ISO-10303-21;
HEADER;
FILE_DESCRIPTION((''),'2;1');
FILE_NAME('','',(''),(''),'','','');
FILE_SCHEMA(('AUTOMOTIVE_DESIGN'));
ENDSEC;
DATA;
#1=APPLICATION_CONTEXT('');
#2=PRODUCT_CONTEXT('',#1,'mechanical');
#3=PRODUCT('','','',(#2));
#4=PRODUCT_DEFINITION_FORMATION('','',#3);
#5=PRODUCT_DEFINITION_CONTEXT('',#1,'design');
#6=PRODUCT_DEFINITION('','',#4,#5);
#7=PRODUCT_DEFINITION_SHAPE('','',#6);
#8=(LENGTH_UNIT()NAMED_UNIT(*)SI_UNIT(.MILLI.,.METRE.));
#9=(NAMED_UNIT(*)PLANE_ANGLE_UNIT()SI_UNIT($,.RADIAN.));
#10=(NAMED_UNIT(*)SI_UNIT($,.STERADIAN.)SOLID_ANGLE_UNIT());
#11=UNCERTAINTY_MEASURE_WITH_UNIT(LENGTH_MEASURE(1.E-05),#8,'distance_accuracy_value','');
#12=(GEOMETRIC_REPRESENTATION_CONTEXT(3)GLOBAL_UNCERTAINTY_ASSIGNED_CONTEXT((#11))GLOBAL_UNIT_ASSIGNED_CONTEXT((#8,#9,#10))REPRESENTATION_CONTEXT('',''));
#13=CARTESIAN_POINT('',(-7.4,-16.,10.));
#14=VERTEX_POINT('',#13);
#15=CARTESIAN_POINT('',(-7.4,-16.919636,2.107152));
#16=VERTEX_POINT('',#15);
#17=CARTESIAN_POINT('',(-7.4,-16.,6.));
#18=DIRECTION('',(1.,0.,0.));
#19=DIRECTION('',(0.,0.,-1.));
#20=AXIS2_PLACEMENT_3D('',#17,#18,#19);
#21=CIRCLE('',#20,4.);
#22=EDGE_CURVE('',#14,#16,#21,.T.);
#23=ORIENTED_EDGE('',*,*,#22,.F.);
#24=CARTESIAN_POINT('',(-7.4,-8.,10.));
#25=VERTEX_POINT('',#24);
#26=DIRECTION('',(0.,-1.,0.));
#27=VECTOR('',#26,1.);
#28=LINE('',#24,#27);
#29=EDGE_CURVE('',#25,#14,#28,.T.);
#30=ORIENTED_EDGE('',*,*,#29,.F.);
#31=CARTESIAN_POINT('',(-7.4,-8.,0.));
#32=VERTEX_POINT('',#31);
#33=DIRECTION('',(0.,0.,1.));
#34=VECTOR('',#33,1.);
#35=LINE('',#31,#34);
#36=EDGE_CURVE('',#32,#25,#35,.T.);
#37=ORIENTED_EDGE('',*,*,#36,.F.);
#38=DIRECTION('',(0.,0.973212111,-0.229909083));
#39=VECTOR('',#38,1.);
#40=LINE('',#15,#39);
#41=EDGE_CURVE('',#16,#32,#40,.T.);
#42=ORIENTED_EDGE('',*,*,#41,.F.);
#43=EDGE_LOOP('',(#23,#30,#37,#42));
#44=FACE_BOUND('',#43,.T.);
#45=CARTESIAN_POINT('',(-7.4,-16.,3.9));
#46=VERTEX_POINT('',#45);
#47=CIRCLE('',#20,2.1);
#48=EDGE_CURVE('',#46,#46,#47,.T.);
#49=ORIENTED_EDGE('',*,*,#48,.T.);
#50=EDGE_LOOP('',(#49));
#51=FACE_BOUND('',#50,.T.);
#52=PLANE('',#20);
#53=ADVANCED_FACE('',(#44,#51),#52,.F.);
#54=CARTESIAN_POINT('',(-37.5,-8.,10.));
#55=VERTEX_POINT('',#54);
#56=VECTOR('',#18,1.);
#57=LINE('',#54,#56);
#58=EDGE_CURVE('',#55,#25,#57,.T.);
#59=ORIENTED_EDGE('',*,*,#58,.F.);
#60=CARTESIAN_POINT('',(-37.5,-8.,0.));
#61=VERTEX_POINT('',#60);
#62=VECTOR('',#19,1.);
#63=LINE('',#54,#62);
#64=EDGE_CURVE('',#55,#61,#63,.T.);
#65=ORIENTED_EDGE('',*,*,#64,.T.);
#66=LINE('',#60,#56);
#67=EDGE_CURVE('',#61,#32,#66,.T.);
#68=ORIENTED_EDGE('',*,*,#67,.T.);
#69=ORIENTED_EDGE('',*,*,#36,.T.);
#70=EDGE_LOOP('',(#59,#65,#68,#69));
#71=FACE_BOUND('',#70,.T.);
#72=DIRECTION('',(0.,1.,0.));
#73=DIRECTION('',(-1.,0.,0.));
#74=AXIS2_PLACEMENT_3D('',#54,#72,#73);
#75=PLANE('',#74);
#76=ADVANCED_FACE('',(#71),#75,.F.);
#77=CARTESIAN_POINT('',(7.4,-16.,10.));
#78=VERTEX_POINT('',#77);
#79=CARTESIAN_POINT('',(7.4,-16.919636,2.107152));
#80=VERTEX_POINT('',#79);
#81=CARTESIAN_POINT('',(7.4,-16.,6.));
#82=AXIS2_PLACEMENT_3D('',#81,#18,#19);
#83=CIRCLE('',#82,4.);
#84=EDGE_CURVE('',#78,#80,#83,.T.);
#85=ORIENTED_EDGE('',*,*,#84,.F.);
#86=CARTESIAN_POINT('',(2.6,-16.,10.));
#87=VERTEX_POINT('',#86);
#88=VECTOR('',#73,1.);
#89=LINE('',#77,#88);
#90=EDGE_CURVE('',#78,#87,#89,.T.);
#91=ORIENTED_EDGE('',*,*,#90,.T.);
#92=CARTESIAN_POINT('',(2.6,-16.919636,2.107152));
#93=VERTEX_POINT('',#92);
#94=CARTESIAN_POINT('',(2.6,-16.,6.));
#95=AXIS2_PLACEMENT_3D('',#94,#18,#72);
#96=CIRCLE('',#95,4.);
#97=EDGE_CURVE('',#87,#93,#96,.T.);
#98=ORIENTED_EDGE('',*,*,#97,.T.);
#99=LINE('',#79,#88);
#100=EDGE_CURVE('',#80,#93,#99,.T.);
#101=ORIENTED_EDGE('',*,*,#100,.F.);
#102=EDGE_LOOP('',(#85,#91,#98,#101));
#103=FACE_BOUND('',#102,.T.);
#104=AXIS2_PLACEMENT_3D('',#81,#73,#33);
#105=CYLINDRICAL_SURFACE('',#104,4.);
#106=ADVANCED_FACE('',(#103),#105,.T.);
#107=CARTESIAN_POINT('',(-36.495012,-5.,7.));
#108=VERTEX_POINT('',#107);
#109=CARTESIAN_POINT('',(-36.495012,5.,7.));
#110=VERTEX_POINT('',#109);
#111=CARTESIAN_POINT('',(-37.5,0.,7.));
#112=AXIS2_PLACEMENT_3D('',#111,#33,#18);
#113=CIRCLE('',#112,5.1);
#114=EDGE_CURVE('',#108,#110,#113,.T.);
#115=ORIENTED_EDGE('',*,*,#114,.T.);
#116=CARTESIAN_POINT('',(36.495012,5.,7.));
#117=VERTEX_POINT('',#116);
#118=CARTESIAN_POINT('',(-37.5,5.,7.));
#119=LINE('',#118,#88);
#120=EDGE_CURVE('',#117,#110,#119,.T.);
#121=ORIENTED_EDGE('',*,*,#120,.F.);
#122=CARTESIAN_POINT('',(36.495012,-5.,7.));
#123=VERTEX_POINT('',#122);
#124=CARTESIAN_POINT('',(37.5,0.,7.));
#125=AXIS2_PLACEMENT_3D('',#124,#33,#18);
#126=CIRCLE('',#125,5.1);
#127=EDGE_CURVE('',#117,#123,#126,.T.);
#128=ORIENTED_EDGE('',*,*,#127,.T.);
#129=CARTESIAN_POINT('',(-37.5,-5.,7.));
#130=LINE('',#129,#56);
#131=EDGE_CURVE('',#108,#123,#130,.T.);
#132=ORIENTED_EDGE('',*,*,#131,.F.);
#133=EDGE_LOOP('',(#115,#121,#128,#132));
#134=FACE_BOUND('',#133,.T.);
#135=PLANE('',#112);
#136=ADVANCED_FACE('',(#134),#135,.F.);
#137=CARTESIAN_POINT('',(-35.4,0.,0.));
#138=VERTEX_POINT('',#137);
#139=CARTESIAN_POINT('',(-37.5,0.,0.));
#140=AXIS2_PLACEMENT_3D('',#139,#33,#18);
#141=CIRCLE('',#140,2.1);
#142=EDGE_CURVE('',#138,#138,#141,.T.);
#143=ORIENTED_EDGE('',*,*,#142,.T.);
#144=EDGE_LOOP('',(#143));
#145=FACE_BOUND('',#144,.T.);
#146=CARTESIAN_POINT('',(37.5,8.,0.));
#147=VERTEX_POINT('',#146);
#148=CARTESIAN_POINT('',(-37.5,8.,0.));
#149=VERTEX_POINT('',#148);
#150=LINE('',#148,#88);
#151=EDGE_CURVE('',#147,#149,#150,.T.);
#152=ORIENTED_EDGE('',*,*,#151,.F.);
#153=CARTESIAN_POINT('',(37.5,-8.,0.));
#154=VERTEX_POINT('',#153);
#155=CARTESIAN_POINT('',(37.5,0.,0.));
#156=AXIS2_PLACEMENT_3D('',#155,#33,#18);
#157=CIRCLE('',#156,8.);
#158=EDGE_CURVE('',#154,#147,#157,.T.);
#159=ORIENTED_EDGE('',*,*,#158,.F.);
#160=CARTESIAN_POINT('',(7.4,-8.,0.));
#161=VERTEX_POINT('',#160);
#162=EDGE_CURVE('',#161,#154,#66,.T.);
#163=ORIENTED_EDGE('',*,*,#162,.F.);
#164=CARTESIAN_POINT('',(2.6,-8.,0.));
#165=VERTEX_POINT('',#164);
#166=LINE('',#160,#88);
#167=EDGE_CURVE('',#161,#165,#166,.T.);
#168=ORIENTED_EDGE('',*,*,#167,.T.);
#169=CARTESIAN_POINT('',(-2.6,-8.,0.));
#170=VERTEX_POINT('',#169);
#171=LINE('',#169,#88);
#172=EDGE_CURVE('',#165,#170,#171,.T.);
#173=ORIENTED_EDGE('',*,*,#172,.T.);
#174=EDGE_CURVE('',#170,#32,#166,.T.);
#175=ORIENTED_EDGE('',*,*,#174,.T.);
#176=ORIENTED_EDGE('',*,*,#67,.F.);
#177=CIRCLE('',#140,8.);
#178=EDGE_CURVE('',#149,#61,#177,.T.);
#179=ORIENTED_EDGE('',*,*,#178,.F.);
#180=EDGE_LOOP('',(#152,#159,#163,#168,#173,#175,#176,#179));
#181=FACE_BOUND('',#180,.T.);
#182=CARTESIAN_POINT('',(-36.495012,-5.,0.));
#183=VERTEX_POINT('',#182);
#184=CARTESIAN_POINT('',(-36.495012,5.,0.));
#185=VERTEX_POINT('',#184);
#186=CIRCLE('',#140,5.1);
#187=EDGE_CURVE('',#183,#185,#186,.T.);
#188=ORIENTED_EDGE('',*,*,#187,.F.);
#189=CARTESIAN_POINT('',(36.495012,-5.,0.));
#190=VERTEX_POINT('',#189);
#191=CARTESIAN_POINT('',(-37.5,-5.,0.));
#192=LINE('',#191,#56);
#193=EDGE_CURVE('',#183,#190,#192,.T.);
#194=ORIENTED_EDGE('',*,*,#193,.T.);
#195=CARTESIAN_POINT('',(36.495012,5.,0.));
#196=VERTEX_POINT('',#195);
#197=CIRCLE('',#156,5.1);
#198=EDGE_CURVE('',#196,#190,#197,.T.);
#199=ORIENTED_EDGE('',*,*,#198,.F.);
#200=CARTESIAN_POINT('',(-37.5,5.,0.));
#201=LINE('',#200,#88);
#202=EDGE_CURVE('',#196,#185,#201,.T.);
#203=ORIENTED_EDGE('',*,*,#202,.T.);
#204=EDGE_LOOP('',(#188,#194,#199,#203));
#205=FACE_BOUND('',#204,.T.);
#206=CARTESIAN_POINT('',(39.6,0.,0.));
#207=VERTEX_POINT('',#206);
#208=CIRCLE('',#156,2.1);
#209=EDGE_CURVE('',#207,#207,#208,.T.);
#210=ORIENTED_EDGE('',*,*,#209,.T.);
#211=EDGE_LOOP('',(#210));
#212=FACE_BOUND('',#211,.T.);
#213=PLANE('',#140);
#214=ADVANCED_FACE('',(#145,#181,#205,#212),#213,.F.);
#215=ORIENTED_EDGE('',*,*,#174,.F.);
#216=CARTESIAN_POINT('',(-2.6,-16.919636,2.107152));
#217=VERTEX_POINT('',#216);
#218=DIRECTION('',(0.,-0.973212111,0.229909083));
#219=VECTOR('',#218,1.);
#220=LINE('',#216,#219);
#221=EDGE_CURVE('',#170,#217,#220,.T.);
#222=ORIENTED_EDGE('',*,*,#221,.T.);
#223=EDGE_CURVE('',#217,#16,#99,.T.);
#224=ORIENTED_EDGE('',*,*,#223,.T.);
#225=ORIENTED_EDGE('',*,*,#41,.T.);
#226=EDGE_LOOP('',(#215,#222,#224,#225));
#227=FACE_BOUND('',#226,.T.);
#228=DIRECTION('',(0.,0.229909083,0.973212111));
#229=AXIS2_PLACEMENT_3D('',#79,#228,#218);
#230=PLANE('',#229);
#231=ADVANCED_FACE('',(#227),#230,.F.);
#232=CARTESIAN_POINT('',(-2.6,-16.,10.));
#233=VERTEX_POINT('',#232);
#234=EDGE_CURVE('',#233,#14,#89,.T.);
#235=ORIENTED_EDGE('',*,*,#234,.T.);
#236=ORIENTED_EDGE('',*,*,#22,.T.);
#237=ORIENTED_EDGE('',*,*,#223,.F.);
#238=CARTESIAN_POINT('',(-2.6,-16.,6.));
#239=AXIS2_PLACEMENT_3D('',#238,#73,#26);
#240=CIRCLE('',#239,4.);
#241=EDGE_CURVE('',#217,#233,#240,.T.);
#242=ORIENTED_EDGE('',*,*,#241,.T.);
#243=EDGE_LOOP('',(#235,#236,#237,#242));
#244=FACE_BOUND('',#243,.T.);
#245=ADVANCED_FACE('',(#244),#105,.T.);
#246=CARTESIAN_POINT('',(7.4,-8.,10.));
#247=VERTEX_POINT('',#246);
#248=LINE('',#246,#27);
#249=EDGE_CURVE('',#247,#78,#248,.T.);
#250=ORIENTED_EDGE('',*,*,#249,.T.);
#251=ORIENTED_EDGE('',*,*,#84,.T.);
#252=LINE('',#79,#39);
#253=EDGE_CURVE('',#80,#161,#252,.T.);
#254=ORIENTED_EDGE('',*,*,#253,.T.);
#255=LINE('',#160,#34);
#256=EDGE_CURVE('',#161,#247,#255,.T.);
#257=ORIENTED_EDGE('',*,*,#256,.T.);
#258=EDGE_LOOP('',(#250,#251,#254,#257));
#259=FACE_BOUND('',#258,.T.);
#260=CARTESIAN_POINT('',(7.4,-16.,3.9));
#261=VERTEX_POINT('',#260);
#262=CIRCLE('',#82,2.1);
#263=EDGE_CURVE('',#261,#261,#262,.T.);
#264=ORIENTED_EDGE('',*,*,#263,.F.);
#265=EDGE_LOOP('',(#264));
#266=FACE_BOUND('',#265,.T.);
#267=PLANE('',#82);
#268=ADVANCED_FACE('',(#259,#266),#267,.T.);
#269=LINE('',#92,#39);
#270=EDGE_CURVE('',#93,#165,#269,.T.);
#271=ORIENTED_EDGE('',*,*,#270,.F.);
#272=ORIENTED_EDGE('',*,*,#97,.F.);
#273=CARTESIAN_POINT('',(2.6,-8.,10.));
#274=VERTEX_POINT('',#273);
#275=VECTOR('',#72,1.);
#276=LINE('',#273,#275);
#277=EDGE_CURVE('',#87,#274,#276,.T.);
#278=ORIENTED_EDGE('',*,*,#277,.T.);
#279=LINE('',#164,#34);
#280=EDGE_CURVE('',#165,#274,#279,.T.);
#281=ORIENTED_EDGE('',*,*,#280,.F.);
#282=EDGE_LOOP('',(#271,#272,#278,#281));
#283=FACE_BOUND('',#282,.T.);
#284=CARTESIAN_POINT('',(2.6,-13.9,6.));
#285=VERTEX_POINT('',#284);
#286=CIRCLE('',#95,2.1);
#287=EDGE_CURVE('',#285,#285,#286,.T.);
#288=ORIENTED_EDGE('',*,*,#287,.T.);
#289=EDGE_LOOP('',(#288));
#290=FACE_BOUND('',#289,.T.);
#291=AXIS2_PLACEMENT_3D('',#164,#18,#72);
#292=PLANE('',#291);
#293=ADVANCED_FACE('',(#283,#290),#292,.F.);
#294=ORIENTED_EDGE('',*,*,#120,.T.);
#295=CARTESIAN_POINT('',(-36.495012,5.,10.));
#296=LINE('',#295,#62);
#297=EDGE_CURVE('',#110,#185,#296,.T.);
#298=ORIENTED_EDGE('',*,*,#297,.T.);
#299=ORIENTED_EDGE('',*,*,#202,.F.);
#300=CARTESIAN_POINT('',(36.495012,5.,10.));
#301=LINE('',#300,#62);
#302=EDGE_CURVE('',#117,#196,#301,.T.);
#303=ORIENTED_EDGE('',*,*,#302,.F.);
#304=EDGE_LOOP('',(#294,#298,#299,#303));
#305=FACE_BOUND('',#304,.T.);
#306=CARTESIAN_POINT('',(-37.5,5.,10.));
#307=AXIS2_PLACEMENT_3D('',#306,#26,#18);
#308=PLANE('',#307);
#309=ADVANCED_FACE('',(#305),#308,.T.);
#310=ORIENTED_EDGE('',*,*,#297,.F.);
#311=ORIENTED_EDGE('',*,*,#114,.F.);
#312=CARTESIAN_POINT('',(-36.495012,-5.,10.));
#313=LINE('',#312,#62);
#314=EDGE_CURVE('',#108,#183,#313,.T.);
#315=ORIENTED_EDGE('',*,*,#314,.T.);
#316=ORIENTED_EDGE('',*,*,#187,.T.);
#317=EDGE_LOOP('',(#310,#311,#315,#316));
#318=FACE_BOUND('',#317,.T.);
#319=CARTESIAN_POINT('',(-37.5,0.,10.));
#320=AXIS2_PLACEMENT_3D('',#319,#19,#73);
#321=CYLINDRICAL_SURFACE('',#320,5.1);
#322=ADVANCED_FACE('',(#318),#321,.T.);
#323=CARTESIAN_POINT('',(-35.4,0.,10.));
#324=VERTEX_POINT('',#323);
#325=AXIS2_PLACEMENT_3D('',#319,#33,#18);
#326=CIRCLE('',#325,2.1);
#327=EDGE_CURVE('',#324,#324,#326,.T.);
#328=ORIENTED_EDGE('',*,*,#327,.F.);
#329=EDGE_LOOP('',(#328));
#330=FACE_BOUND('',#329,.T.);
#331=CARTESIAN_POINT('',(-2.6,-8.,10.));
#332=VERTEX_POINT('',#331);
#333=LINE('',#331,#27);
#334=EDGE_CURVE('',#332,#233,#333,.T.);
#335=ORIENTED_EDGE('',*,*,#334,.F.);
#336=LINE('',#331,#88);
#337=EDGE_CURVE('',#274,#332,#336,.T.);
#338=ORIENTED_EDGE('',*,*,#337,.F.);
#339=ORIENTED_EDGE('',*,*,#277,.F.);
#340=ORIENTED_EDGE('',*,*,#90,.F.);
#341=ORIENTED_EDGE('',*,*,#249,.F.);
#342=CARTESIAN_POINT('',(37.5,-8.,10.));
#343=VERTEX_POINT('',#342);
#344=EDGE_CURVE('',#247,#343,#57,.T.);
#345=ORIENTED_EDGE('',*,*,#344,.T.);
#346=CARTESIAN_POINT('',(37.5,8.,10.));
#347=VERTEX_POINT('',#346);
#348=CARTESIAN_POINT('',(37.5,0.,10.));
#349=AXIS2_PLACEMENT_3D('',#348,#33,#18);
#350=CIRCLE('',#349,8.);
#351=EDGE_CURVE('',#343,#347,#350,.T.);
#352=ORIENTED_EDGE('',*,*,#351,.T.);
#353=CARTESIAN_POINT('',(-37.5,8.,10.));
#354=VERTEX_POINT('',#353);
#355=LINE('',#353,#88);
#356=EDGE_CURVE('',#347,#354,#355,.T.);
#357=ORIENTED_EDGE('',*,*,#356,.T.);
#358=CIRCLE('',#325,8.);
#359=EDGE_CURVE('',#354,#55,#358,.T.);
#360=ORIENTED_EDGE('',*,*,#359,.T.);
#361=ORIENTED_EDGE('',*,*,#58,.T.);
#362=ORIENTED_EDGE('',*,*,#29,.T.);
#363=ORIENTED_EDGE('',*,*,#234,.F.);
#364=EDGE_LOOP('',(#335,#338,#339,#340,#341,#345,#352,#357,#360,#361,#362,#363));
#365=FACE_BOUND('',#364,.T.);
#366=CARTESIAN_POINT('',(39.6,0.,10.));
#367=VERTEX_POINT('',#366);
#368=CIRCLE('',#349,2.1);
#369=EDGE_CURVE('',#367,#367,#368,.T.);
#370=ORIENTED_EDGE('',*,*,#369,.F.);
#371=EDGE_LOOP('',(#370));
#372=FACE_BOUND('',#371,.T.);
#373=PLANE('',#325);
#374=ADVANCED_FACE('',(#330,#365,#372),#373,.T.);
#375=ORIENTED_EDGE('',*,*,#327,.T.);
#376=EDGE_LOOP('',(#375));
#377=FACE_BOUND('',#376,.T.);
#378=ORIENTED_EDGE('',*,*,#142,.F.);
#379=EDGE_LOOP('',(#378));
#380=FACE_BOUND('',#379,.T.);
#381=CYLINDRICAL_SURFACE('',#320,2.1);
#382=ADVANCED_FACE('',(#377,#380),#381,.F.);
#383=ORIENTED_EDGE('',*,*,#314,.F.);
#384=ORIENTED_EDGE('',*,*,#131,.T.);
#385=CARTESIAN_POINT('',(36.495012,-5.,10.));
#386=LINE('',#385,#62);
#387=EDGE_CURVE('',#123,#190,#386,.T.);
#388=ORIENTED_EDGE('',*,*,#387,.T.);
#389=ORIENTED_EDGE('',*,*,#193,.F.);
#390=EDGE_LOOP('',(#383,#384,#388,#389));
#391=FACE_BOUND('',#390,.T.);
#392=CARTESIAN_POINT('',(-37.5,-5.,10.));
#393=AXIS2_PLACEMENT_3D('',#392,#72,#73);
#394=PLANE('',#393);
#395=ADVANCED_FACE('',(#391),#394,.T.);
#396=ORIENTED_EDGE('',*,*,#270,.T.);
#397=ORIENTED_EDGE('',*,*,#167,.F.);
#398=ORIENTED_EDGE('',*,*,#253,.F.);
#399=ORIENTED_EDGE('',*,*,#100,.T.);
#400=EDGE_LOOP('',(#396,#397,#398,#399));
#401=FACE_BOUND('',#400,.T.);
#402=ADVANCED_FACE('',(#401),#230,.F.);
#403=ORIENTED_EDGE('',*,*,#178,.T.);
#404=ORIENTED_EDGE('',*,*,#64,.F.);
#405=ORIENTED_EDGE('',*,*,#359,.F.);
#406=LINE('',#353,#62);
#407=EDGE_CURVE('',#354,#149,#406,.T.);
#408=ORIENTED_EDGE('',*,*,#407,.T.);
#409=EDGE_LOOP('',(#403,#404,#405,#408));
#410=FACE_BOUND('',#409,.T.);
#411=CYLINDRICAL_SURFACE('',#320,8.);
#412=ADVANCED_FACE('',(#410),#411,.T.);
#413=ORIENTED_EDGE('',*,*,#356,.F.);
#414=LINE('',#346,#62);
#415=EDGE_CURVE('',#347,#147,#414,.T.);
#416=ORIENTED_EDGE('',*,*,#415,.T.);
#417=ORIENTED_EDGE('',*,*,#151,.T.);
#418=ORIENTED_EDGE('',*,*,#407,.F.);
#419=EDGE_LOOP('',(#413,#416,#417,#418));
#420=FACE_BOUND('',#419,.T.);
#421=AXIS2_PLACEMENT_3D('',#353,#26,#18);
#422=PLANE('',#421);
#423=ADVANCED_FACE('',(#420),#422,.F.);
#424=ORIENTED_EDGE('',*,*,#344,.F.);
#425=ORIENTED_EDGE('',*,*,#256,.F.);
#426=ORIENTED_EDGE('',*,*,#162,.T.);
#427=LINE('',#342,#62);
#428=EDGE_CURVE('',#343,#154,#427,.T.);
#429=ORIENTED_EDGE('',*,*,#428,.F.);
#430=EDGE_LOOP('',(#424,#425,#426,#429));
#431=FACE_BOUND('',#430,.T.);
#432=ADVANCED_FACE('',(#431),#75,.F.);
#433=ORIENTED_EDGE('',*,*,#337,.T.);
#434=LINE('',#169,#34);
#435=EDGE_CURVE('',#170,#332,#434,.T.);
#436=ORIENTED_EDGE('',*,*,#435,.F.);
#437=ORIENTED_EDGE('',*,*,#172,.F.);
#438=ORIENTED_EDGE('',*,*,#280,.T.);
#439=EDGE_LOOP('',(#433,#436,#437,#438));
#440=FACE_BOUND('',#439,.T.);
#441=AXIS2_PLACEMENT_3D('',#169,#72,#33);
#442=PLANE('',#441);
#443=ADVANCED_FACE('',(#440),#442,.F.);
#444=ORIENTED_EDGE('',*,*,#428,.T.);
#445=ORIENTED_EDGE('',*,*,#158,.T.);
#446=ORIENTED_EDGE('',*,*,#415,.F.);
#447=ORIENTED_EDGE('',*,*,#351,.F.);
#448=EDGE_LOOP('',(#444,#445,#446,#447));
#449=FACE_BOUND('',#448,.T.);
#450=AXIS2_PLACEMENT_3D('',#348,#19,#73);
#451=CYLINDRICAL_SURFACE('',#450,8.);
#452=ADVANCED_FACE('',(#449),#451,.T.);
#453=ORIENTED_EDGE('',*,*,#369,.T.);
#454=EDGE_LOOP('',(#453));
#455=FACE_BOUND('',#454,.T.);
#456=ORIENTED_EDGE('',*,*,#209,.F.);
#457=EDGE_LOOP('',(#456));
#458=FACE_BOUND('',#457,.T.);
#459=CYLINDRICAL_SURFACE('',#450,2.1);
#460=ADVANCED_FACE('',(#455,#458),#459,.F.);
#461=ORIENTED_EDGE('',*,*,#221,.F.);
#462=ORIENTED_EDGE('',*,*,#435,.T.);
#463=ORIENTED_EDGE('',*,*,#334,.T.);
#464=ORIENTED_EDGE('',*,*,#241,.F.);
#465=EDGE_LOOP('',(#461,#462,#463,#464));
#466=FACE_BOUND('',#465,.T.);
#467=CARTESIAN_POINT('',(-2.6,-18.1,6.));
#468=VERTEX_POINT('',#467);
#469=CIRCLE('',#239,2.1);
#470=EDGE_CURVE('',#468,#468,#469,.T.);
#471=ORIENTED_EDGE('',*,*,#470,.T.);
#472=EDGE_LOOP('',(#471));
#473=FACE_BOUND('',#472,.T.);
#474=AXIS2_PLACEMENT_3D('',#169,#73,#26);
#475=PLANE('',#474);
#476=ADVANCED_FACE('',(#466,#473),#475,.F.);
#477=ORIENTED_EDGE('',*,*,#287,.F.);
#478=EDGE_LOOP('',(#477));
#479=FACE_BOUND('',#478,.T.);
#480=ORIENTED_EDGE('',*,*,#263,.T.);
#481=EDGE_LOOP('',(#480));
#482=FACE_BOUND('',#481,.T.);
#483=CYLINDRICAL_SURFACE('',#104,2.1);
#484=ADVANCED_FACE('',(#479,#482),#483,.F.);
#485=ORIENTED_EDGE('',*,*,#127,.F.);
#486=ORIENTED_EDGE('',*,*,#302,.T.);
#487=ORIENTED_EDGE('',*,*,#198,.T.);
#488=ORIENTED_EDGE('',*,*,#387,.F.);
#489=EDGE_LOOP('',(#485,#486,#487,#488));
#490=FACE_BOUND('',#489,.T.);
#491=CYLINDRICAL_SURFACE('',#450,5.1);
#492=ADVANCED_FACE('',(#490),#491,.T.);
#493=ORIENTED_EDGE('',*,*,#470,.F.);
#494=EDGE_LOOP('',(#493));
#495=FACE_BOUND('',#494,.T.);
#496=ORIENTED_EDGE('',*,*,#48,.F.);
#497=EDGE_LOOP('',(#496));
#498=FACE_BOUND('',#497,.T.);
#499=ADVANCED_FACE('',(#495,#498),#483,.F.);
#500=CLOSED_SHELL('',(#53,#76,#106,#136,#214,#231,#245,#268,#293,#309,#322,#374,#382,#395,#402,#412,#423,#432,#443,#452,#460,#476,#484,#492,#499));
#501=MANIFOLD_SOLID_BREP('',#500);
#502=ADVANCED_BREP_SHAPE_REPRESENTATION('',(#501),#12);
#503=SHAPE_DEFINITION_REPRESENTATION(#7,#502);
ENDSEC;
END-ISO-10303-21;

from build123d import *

# Parameters (mm, degrees)
SKETCH1_R               = 2.1
BOSS_EXTRUDE1_DEPTH     = 10
SHELL2_T                = -3
SKETCH2_R               = 2.1
BOSS_EXTRUDE2_DEPTH     = 7.4
SKETCH3_W               = 5.2
SKETCH3_H               = 14
CUT_EXTRUDE1_DEPTH      = 1
CUT_EXTRUDE1_DEPTH_BACK = 11


with BuildPart() as part:
    # Sketch1 → Boss-Extrude1 (new body)
    with BuildSketch(Plane.XY):
        with BuildLine():
            Line((-37.5, 8), (37.5, 8))
            ThreePointArc((37.5, 8), (45.5, 0), (37.5, -8))
            Line((37.5, -8), (-37.5, -8))
            ThreePointArc((-37.5, -8), (-45.5, 0), (-37.5, 8))
        make_face()
        with Locations((-37.5, 0)):
            Circle(SKETCH1_R, mode=Mode.SUBTRACT)
        with Locations((37.5, 0)):
            Circle(SKETCH1_R, mode=Mode.SUBTRACT)
    extrude(amount=BOSS_EXTRUDE1_DEPTH)

    # Shell2
    shell2_openings = [part.faces().sort_by_distance(p)[0] for p in [
        (0, 0, 0),
    ]]
    offset(amount=SHELL2_T, openings=shell2_openings, kind=Kind.INTERSECTION)

    # Sketch2 → Boss-Extrude2 (add, symmetric)
    with BuildSketch(Plane(origin=(0, 0, 0), x_dir=(0, 0, -1), z_dir=(1, 0, 0))):
        with BuildLine():
            Line((-10, -8), (-10, -16))
            ThreePointArc((-10, -16), (-6.46292884, -19.973121807), (-2.107151555, -16.919636334))
            Line((-2.107151555, -16.919636334), (0, -8))
            Line((0, -8), (-10, -8))
        make_face()
        with Locations((-6, -16)):
            Circle(SKETCH2_R, mode=Mode.SUBTRACT)
    extrude(amount=BOSS_EXTRUDE2_DEPTH, both=True)

    # Sketch3 → Cut-Extrude1 (cut, two sides)
    with BuildSketch(Plane.XY.offset(10)) as cut_extrude1_sk:
        with Locations((0, -15)):
            Rectangle(SKETCH3_W, SKETCH3_H)
    extrude(amount=CUT_EXTRUDE1_DEPTH, mode=Mode.SUBTRACT)
    extrude(cut_extrude1_sk.sketch, amount=-CUT_EXTRUDE1_DEPTH_BACK, mode=Mode.SUBTRACT)


solid = part.part
